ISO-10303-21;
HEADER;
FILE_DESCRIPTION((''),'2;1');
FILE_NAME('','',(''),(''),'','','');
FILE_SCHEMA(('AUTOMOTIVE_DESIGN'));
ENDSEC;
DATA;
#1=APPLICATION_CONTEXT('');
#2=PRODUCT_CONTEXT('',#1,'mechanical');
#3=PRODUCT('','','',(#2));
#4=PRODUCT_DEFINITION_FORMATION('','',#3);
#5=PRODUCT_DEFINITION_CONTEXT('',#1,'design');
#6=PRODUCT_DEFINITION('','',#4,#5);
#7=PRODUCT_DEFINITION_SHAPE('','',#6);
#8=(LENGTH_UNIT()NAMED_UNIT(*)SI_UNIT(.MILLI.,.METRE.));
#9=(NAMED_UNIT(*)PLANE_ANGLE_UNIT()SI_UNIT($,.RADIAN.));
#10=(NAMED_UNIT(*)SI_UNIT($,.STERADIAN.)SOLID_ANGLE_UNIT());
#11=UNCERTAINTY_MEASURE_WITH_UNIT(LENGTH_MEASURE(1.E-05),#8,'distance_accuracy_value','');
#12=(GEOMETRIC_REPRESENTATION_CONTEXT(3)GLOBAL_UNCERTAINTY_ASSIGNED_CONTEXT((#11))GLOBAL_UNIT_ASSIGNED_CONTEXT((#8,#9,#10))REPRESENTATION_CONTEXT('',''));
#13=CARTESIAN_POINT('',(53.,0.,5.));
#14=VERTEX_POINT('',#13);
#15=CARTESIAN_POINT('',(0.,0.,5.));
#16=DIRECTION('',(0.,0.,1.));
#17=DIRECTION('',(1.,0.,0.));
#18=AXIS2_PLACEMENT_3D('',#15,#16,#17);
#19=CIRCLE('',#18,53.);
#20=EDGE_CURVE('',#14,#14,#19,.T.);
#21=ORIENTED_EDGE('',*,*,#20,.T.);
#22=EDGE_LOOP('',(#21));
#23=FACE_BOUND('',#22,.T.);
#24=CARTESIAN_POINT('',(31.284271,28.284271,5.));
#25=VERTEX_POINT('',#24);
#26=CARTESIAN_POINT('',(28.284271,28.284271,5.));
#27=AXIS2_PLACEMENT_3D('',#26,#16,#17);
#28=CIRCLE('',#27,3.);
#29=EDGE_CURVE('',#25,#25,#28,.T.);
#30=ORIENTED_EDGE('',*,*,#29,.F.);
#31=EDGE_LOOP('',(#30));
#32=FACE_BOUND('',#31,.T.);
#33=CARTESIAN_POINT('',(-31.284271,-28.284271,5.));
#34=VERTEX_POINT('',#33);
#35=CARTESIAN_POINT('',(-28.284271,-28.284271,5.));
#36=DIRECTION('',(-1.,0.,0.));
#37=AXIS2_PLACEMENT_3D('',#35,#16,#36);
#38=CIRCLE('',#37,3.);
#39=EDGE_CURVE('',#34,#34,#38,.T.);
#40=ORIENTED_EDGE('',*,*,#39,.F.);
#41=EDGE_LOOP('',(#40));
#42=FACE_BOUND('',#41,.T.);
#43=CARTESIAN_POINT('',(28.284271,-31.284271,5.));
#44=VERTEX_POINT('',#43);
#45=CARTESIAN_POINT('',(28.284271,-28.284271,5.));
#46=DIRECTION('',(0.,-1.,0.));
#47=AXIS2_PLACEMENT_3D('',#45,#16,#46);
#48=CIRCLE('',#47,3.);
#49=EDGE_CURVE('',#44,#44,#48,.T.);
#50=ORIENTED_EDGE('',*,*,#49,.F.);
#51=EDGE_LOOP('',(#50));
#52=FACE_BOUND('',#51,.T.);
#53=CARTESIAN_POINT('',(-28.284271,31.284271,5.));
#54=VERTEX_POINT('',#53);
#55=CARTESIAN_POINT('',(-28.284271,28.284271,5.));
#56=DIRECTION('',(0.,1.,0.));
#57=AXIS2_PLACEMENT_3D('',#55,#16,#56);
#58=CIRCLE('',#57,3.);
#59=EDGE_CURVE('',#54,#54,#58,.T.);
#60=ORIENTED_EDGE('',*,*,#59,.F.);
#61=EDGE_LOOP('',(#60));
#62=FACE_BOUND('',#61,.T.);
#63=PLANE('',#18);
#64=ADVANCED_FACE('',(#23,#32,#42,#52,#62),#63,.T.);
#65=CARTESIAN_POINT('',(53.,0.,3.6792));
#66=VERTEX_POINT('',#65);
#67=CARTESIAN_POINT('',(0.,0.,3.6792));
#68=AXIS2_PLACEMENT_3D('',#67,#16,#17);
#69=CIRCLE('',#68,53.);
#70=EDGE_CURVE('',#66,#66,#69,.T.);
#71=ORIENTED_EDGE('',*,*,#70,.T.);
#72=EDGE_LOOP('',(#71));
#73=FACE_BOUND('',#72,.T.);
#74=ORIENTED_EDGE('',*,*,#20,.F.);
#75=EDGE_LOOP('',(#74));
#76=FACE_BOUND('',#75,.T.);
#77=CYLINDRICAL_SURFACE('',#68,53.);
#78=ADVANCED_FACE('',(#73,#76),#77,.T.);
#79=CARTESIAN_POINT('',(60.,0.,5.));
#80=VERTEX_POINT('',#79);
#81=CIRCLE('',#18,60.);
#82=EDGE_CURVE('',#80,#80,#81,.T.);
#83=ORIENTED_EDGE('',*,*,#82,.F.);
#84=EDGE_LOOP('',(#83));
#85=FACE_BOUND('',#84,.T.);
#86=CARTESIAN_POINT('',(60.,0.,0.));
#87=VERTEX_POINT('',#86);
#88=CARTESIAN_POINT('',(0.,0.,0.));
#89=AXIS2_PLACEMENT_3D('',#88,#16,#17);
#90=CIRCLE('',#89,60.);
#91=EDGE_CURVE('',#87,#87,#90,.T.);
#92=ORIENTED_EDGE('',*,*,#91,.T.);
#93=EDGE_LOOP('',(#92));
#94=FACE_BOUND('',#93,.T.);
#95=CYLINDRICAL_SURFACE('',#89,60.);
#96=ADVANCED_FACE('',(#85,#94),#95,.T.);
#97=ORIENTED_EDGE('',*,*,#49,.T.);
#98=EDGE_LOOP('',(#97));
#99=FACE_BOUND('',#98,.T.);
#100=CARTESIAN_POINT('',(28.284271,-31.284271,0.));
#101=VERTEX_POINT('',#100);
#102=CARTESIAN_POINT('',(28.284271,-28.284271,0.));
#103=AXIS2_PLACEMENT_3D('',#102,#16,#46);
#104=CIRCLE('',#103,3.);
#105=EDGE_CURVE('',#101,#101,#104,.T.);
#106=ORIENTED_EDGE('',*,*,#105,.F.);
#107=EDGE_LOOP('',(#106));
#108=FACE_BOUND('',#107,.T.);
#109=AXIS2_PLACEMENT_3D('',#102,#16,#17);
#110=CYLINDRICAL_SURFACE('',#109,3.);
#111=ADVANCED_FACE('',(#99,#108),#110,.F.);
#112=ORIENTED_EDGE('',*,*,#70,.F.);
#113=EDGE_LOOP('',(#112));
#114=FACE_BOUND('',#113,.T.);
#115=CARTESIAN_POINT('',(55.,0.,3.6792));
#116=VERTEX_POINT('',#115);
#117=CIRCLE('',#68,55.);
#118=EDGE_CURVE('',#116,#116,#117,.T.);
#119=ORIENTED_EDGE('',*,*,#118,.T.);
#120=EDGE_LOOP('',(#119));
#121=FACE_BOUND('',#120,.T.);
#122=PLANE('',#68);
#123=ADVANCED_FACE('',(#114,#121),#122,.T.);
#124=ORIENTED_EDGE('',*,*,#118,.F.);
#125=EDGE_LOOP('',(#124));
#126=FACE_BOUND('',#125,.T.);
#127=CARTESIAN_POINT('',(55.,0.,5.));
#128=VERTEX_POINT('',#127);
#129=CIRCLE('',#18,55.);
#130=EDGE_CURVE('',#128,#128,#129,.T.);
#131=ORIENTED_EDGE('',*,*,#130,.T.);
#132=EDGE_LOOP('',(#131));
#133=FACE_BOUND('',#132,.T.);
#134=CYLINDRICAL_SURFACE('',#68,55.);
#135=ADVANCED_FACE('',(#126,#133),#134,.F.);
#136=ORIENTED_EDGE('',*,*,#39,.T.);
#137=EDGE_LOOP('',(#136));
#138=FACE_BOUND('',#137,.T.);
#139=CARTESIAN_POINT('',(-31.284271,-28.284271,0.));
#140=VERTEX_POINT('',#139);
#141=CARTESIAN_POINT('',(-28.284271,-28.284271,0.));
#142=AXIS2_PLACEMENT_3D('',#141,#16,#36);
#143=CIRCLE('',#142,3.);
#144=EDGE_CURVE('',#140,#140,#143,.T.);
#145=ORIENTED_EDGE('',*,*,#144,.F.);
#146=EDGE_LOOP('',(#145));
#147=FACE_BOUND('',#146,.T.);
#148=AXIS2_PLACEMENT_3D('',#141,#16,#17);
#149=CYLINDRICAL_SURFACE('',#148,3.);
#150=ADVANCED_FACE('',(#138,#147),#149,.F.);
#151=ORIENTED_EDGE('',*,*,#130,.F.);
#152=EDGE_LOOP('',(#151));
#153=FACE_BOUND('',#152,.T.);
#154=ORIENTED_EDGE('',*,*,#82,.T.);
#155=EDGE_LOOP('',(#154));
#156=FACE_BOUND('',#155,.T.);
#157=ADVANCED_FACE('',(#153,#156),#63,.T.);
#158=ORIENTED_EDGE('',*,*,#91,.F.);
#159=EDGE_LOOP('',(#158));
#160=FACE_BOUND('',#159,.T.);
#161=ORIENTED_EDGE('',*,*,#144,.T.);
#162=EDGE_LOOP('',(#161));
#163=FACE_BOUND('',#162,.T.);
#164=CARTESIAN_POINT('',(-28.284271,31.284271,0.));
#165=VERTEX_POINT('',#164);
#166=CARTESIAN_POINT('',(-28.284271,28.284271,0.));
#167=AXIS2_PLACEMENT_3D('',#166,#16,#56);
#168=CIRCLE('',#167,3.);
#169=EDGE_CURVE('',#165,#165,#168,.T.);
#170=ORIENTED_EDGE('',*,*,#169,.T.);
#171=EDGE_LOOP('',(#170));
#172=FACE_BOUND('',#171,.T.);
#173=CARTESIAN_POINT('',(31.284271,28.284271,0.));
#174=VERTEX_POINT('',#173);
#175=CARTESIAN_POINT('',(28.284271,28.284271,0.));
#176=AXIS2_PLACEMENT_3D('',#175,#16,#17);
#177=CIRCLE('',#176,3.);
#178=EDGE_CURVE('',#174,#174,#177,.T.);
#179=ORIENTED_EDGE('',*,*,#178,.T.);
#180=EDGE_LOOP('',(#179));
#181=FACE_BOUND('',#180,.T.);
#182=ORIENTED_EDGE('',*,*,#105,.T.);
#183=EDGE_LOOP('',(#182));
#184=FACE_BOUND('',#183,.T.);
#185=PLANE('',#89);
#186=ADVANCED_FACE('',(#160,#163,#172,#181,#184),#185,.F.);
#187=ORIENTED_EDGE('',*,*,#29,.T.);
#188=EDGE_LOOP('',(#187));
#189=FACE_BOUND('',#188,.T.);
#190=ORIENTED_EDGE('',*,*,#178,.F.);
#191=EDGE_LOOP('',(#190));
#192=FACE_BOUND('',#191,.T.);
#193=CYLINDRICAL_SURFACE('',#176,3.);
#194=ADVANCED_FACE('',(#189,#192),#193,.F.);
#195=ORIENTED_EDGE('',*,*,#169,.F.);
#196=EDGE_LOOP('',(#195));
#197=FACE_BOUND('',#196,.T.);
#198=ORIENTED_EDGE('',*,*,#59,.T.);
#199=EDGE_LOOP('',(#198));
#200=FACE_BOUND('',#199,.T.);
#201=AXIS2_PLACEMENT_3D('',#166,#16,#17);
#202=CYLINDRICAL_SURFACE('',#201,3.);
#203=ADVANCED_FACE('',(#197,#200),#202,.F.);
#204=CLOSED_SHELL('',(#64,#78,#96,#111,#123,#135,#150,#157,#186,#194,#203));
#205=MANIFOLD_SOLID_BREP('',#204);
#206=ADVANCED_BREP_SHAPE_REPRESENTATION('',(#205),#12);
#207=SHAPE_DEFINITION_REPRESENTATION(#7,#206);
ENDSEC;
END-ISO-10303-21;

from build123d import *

# Parameters (mm, degrees)
SKETCH1_R           = 75
BOSS_EXTRUDE1_DEPTH = 5
SKETCH2_R           = 3
CUT_EXTRUDE1_DEPTH  = 5
CIRPATTERN1_COUNT   = 4
SKETCH4_R           = 55
SKETCH4_R_2         = 53
CUT_EXTRUDE3_DEPTH  = 1.3208
SKETCH5_R           = 75
SKETCH5_R_2         = 60
CUT_EXTRUDE4_DEPTH  = 5


with BuildPart() as part:
    # Sketch1 → Boss-Extrude1 (new body)
    with BuildSketch(Plane.XY):
        Circle(SKETCH1_R)
    extrude(amount=BOSS_EXTRUDE1_DEPTH)

    # Sketch2 → Cut-Extrude1 (cut)
    with BuildSketch(Plane.XY.offset(5)):
        with Locations((28.284271247, 28.284271247)):
            Circle(SKETCH2_R)
    cut_extrude1 = extrude(amount=-CUT_EXTRUDE1_DEPTH, mode=Mode.SUBTRACT)

    # CirPattern1: Cut-Extrude1 ×4 about axis
    cirpattern1_axis = Axis((0, 0, 0), (0, 0, 1))
    for i in range(1, CIRPATTERN1_COUNT):
        add(cut_extrude1.rotate(cirpattern1_axis, i * 360 / CIRPATTERN1_COUNT), mode=Mode.SUBTRACT)

    # Sketch4 → Cut-Extrude3 (cut)
    with BuildSketch(Plane.XY.offset(5)):
        Circle(SKETCH4_R)
        Circle(SKETCH4_R_2, mode=Mode.SUBTRACT)
    extrude(amount=-CUT_EXTRUDE3_DEPTH, mode=Mode.SUBTRACT)

    # Sketch5 → Cut-Extrude4 (cut)
    with BuildSketch(Plane.XY.offset(5)):
        Circle(SKETCH5_R)
        Circle(SKETCH5_R_2, mode=Mode.SUBTRACT)
    extrude(amount=-CUT_EXTRUDE4_DEPTH, mode=Mode.SUBTRACT)


solid = part.part
